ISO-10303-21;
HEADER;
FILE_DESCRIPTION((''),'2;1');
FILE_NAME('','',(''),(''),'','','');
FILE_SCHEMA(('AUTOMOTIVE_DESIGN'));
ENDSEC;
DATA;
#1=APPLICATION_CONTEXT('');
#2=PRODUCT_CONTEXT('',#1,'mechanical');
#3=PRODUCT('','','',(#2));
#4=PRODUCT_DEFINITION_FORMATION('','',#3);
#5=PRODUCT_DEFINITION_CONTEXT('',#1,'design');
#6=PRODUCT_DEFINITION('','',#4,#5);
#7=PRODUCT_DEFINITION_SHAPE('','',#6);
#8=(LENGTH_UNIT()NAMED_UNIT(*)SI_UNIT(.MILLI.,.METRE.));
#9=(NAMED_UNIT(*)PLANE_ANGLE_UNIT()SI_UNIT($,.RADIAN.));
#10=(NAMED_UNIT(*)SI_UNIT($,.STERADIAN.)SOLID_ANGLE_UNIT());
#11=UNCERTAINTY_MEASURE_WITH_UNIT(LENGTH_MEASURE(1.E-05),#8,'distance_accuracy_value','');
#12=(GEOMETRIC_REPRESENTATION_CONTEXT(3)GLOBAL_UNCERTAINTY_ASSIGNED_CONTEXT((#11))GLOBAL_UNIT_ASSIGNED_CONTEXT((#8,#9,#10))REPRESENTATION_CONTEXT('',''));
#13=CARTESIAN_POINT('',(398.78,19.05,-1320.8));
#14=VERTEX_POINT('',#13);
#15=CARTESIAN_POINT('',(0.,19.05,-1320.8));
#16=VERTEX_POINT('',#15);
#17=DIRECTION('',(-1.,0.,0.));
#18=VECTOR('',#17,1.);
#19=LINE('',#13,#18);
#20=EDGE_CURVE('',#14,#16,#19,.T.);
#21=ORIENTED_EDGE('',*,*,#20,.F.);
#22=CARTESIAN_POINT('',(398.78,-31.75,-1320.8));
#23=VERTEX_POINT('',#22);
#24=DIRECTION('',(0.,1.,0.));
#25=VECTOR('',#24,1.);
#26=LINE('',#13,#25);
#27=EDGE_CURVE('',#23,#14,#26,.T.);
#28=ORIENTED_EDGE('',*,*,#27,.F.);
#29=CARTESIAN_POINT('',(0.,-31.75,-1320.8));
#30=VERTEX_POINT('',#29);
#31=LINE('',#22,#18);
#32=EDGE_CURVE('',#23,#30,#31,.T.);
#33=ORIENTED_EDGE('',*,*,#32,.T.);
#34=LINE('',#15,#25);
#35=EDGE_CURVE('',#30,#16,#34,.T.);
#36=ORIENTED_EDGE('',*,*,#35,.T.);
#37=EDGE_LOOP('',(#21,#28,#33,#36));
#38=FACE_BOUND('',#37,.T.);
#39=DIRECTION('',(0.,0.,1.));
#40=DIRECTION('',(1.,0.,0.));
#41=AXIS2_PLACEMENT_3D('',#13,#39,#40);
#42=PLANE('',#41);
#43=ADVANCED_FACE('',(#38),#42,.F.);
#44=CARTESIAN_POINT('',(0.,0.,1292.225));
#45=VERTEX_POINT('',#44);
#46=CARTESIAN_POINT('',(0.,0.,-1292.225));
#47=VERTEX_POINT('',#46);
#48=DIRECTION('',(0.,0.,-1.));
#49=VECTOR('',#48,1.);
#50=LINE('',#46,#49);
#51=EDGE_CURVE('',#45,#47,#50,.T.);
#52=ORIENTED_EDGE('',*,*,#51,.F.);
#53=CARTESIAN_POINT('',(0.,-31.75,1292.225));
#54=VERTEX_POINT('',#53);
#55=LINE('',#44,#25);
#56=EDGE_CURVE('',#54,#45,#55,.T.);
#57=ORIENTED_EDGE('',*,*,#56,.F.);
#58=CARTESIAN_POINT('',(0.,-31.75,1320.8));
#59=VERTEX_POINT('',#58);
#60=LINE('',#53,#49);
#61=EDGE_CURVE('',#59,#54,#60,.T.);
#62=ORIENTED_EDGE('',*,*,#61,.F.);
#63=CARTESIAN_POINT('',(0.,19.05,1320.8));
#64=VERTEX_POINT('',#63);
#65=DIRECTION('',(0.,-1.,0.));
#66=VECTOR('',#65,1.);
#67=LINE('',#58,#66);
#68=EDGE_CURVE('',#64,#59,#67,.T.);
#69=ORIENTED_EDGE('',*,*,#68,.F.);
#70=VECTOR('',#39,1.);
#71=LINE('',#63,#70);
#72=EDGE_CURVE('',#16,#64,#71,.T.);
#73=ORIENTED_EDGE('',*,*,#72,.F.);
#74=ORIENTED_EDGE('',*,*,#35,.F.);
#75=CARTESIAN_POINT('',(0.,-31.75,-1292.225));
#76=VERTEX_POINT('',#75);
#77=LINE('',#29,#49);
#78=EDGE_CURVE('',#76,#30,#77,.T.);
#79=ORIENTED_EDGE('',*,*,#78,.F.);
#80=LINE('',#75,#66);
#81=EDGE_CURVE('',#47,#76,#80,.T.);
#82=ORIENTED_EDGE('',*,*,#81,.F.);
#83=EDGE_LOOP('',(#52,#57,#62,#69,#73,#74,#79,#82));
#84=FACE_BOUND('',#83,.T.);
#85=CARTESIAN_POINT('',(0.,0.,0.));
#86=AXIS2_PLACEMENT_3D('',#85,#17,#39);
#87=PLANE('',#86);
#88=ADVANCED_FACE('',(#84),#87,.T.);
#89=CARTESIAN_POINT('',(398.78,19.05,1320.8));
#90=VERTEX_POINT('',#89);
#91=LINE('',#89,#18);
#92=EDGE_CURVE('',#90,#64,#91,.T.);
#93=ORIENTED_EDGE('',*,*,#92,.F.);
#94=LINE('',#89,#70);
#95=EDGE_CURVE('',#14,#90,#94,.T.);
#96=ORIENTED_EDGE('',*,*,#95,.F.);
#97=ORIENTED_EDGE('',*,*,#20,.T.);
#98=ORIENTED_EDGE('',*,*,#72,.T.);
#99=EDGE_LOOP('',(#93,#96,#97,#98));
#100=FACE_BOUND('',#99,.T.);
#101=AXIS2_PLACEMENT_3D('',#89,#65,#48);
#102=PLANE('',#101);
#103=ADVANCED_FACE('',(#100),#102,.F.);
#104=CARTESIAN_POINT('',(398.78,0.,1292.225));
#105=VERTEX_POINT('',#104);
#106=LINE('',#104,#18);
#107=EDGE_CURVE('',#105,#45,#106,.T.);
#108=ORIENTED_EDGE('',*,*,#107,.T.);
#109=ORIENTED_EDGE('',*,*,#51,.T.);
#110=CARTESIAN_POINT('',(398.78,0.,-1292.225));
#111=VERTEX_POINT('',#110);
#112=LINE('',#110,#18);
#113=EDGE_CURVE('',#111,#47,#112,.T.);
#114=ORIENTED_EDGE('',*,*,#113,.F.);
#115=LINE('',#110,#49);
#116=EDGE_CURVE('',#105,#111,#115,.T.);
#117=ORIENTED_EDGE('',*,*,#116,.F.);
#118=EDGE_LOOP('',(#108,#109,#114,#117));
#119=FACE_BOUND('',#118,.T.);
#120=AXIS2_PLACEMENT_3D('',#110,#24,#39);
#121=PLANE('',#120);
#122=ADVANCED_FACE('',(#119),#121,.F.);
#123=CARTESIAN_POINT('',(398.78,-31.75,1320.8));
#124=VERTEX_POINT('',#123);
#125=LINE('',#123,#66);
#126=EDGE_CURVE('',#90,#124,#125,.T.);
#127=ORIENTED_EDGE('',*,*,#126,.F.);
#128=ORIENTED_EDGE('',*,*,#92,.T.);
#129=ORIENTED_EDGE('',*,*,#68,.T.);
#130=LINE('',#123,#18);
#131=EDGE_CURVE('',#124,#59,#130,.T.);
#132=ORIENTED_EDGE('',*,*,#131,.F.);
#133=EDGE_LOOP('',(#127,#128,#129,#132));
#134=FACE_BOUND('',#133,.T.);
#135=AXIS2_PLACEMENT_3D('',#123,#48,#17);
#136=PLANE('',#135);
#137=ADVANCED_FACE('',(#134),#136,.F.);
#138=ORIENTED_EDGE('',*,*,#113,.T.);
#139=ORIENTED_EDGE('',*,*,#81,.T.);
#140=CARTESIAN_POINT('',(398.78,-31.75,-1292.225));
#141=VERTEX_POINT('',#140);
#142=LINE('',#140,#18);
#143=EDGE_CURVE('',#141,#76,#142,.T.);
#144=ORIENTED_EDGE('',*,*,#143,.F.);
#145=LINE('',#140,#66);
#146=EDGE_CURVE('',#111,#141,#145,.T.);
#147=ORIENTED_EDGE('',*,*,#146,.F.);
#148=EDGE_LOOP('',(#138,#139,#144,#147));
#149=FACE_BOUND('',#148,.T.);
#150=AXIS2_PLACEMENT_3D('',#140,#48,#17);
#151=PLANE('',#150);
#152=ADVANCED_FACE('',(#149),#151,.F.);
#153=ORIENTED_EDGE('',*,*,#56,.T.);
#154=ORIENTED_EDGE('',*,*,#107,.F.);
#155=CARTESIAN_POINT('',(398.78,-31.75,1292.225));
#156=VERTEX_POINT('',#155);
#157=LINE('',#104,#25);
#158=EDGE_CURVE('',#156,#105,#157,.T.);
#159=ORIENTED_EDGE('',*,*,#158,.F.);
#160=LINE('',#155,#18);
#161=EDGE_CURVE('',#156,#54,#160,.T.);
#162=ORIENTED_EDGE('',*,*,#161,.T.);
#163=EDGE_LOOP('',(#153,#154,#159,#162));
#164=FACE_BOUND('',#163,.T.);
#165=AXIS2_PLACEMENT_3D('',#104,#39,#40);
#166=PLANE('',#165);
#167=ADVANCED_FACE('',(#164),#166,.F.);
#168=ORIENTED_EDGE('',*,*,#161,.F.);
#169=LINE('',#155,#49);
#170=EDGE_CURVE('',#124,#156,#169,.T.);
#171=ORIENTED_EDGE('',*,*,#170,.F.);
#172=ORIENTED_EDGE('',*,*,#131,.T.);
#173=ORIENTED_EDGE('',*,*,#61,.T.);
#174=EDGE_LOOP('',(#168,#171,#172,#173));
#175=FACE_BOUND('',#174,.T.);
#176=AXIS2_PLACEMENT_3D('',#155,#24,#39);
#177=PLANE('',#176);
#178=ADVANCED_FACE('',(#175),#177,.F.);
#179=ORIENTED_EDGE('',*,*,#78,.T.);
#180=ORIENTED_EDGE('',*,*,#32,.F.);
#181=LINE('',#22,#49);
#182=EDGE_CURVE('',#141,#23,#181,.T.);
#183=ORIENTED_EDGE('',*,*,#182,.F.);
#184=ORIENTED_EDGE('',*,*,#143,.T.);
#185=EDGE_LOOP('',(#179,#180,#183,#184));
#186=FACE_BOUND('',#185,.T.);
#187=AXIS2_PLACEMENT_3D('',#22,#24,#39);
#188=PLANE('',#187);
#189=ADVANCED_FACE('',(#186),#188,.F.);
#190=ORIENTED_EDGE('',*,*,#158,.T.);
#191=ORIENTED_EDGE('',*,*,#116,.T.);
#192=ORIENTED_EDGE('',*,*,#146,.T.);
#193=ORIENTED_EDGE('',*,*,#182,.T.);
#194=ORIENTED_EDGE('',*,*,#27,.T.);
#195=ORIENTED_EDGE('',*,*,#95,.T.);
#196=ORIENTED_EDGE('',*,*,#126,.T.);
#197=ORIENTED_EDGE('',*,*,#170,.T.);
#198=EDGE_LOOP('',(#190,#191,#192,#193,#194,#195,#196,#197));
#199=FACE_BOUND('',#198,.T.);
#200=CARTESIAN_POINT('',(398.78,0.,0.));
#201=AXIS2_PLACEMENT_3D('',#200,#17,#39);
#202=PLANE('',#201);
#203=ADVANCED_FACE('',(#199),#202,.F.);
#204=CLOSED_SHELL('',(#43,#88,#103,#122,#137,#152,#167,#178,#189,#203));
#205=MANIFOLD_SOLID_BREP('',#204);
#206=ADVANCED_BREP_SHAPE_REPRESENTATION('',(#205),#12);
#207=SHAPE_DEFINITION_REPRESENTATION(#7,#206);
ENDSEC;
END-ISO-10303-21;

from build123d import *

# Parameters (mm, degrees)
BOSS_EXTRUDE1_DEPTH = 398.78


with BuildPart() as part:
    # Sketch1 → Boss-Extrude1 (new body)
    with BuildSketch(Plane(origin=(0, 0, 0), x_dir=(0, 0, -1), z_dir=(1, 0, 0))):
        Polygon((-1292.225, -31.75), (-1320.8, -31.75), (-1320.8, 19.05), (1320.8, 19.05), (1320.8, -31.75), (1292.225, -31.75), (1292.225, 0), (-1292.225, 0), align=None)
    extrude(amount=BOSS_EXTRUDE1_DEPTH)


solid = part.part
